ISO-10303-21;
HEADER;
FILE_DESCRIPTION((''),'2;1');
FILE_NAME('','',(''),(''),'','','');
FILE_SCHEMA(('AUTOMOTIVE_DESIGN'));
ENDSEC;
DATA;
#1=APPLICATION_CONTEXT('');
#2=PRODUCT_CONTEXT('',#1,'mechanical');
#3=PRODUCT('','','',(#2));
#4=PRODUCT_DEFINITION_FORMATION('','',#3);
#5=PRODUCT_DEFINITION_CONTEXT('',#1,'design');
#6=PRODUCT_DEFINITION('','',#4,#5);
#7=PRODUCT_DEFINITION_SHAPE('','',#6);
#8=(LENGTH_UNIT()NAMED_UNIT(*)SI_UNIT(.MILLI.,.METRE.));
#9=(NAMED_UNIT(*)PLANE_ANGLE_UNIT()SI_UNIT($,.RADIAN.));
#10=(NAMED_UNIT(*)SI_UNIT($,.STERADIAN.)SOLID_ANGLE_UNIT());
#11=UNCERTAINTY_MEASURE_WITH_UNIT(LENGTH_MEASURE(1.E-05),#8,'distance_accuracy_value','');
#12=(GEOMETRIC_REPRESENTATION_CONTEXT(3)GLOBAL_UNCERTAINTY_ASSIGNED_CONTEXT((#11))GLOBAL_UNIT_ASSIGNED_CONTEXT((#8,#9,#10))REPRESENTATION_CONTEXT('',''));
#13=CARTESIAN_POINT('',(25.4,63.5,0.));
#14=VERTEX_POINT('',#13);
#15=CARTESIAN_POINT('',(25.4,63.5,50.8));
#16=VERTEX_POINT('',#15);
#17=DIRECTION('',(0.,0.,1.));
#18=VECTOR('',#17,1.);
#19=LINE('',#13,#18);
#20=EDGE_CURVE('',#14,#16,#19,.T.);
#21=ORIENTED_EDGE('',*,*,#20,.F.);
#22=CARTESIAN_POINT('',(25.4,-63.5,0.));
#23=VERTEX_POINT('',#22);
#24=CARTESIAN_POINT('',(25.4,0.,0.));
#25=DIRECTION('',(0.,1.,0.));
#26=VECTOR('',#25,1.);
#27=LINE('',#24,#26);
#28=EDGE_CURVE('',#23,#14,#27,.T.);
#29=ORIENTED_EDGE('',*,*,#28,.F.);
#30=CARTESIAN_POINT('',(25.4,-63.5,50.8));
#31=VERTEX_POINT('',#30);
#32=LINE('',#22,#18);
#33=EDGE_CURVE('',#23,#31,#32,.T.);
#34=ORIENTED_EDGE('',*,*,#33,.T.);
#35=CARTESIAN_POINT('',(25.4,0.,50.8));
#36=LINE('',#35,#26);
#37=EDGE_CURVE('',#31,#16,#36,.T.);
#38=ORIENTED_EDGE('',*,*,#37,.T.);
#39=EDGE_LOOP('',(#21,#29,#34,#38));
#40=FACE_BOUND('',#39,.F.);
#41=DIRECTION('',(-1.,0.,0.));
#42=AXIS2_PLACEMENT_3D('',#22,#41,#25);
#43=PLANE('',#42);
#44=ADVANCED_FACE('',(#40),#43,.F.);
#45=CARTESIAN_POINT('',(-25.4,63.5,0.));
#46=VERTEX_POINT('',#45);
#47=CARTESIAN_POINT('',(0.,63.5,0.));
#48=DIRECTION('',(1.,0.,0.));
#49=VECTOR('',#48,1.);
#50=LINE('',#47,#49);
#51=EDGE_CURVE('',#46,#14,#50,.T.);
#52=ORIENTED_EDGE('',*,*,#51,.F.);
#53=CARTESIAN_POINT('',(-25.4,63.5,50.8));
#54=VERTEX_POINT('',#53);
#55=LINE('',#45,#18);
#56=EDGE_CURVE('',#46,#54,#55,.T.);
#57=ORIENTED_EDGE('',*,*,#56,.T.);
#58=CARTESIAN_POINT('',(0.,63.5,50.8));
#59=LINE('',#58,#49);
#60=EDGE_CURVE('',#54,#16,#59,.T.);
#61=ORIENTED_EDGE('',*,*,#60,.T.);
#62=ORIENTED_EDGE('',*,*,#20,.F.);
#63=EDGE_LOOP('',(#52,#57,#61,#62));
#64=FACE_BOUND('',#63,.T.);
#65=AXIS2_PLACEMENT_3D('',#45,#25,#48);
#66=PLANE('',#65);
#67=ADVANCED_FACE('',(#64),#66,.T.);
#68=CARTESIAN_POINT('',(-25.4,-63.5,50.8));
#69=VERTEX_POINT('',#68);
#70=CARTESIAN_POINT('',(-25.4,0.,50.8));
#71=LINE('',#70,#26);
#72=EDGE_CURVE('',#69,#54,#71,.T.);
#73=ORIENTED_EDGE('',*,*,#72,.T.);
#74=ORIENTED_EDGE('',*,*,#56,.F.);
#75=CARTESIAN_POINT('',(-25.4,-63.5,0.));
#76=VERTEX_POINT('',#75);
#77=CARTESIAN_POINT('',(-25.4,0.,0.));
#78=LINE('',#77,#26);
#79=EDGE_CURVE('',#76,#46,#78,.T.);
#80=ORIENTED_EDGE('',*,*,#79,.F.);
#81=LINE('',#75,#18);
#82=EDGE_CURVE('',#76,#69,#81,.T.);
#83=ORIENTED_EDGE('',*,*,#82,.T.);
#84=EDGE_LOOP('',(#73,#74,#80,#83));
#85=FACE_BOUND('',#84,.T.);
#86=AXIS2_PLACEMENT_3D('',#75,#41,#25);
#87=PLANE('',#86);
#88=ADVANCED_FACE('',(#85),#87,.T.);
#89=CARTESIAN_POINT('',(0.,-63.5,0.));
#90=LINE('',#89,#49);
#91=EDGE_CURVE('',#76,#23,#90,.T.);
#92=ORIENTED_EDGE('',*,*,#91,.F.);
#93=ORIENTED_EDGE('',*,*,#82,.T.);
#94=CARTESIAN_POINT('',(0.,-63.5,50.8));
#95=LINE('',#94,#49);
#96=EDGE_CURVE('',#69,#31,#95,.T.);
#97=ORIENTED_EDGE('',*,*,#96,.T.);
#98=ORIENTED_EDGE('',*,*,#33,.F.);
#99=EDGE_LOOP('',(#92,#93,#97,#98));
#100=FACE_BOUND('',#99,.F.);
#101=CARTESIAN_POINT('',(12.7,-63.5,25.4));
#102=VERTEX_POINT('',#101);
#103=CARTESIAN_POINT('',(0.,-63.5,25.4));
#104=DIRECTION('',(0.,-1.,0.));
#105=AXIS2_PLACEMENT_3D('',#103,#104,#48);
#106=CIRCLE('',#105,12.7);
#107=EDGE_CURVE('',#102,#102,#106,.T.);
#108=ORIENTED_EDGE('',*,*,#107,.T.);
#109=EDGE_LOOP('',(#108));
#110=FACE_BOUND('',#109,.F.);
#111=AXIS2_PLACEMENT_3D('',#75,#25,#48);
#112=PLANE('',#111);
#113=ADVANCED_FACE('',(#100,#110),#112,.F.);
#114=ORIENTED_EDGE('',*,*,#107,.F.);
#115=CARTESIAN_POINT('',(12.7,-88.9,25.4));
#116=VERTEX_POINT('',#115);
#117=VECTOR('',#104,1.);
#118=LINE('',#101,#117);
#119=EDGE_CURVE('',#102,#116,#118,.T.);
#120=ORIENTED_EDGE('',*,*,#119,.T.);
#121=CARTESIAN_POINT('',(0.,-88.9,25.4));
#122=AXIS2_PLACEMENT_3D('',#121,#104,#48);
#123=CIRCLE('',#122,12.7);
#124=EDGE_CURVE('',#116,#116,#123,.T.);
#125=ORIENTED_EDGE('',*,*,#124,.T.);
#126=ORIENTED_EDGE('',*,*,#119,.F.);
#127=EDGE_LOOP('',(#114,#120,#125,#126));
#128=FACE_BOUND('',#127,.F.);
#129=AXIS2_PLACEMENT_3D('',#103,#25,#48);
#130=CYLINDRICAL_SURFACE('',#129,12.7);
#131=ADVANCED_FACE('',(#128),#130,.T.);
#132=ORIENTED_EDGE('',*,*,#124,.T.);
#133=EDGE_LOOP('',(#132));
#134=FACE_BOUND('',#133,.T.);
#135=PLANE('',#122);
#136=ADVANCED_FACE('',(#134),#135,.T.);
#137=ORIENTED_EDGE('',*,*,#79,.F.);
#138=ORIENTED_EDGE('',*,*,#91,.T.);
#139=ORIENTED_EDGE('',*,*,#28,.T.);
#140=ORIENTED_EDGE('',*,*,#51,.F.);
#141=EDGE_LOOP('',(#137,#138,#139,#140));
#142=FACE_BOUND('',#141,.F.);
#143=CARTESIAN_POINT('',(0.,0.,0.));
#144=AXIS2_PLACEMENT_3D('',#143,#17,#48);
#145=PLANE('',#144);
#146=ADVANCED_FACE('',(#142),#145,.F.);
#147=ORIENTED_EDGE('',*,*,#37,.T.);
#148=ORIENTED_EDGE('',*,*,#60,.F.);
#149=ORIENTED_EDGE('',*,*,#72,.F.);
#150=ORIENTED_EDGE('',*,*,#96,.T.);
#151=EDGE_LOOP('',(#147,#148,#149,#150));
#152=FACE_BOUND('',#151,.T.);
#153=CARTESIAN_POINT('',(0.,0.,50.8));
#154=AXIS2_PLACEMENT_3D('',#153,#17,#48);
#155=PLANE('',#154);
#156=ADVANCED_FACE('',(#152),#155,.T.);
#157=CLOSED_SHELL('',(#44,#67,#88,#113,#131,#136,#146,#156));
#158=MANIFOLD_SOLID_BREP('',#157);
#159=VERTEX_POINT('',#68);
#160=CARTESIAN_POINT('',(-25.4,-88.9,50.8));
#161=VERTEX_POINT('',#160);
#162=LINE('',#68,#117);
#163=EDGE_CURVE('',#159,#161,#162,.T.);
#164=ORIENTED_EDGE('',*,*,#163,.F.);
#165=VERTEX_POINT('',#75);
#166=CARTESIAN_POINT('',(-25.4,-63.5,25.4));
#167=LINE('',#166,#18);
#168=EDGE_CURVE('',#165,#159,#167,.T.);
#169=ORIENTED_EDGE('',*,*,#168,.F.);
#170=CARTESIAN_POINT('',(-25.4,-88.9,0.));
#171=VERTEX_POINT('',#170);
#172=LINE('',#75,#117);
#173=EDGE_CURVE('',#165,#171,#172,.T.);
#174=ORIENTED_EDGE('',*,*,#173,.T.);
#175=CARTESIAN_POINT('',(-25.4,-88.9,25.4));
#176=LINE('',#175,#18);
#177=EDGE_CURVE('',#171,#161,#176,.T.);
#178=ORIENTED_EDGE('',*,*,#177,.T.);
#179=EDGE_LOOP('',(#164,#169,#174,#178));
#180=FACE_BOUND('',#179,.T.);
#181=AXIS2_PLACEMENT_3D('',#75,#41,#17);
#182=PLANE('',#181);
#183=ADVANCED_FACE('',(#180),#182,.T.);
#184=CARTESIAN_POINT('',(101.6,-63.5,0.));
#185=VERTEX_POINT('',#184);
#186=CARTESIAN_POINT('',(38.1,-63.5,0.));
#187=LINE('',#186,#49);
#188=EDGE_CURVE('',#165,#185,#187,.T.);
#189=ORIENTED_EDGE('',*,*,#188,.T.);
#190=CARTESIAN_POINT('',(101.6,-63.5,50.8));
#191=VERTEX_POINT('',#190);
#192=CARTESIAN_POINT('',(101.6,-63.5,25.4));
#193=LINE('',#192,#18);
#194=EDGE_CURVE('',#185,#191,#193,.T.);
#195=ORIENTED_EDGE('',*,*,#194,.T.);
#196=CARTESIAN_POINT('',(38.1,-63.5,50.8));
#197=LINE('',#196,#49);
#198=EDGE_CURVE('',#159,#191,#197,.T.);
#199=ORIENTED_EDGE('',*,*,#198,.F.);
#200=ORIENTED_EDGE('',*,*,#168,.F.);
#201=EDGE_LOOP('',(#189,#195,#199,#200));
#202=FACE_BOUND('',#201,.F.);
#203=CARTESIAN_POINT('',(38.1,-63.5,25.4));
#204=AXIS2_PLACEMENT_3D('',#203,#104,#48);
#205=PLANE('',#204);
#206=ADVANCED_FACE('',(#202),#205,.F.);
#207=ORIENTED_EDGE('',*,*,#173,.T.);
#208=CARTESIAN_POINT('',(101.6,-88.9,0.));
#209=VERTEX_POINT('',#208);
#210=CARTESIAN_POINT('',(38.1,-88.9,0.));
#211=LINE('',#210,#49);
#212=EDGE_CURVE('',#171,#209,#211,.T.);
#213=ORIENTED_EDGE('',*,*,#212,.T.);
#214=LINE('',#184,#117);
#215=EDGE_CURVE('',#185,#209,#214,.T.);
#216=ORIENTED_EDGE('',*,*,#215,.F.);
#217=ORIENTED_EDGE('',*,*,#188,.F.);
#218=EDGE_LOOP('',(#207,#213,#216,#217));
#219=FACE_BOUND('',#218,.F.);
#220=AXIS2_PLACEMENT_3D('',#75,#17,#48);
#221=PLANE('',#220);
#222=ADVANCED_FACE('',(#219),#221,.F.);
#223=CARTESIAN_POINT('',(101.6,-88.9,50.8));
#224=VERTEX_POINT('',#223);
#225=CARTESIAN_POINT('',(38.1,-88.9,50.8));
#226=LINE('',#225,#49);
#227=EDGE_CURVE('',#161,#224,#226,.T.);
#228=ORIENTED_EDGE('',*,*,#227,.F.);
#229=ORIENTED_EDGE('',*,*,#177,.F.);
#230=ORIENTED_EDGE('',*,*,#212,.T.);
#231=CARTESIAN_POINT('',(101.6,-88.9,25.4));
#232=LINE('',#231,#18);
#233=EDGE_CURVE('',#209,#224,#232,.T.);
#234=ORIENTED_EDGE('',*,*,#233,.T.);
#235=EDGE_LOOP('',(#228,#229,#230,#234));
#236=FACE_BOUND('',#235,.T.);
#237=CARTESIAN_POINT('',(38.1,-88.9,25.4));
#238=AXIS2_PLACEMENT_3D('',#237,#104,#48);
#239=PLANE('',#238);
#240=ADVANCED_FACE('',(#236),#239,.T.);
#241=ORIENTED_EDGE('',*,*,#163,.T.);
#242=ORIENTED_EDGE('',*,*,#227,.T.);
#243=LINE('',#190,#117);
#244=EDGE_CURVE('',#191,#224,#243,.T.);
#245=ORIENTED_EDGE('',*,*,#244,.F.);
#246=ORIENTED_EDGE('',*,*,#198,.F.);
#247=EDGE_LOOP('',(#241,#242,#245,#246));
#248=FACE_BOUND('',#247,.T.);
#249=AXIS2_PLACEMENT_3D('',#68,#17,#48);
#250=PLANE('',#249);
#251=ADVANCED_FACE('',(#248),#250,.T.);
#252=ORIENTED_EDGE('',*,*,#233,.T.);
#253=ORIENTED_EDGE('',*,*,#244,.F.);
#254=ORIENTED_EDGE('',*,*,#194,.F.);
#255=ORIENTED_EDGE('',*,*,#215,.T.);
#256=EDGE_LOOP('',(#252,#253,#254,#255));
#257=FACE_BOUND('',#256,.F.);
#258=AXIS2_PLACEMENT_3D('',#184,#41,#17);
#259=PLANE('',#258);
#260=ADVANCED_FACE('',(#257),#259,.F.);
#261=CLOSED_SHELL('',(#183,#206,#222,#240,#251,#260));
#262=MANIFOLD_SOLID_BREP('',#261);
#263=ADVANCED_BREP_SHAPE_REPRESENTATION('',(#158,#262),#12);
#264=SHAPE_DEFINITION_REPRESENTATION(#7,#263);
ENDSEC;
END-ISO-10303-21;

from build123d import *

# Parameters (mm, degrees)
F0_W     = 50.8
F0_H     = 127
F1_DEPTH = 50.8
F2_R     = 12.7
F3_DEPTH = 25.4
F4_W     = 127
F4_H     = 50.8
F5_DEPTH = 25.4


with BuildPart() as f1:
    # F0 (on Top) → F1 (new body)
    with BuildSketch(Plane.XY):
        Rectangle(F0_W, F0_H)
    extrude(amount=F1_DEPTH)

    # F2 (on face) → F3 (join)
    with BuildSketch(Plane.XZ.offset(63.5)):
        with Locations((0, 25.4)):
            Circle(F2_R)
    extrude(amount=F3_DEPTH)


with BuildPart() as f5:
    # F4 (on face) → F5 (new body)
    with BuildSketch(Plane.XZ.offset(63.5)):
        with Locations((38.1, 25.4)):
            Rectangle(F4_W, F4_H)
    extrude(amount=F5_DEPTH)


solid = Compound([f1.part, f5.part])
